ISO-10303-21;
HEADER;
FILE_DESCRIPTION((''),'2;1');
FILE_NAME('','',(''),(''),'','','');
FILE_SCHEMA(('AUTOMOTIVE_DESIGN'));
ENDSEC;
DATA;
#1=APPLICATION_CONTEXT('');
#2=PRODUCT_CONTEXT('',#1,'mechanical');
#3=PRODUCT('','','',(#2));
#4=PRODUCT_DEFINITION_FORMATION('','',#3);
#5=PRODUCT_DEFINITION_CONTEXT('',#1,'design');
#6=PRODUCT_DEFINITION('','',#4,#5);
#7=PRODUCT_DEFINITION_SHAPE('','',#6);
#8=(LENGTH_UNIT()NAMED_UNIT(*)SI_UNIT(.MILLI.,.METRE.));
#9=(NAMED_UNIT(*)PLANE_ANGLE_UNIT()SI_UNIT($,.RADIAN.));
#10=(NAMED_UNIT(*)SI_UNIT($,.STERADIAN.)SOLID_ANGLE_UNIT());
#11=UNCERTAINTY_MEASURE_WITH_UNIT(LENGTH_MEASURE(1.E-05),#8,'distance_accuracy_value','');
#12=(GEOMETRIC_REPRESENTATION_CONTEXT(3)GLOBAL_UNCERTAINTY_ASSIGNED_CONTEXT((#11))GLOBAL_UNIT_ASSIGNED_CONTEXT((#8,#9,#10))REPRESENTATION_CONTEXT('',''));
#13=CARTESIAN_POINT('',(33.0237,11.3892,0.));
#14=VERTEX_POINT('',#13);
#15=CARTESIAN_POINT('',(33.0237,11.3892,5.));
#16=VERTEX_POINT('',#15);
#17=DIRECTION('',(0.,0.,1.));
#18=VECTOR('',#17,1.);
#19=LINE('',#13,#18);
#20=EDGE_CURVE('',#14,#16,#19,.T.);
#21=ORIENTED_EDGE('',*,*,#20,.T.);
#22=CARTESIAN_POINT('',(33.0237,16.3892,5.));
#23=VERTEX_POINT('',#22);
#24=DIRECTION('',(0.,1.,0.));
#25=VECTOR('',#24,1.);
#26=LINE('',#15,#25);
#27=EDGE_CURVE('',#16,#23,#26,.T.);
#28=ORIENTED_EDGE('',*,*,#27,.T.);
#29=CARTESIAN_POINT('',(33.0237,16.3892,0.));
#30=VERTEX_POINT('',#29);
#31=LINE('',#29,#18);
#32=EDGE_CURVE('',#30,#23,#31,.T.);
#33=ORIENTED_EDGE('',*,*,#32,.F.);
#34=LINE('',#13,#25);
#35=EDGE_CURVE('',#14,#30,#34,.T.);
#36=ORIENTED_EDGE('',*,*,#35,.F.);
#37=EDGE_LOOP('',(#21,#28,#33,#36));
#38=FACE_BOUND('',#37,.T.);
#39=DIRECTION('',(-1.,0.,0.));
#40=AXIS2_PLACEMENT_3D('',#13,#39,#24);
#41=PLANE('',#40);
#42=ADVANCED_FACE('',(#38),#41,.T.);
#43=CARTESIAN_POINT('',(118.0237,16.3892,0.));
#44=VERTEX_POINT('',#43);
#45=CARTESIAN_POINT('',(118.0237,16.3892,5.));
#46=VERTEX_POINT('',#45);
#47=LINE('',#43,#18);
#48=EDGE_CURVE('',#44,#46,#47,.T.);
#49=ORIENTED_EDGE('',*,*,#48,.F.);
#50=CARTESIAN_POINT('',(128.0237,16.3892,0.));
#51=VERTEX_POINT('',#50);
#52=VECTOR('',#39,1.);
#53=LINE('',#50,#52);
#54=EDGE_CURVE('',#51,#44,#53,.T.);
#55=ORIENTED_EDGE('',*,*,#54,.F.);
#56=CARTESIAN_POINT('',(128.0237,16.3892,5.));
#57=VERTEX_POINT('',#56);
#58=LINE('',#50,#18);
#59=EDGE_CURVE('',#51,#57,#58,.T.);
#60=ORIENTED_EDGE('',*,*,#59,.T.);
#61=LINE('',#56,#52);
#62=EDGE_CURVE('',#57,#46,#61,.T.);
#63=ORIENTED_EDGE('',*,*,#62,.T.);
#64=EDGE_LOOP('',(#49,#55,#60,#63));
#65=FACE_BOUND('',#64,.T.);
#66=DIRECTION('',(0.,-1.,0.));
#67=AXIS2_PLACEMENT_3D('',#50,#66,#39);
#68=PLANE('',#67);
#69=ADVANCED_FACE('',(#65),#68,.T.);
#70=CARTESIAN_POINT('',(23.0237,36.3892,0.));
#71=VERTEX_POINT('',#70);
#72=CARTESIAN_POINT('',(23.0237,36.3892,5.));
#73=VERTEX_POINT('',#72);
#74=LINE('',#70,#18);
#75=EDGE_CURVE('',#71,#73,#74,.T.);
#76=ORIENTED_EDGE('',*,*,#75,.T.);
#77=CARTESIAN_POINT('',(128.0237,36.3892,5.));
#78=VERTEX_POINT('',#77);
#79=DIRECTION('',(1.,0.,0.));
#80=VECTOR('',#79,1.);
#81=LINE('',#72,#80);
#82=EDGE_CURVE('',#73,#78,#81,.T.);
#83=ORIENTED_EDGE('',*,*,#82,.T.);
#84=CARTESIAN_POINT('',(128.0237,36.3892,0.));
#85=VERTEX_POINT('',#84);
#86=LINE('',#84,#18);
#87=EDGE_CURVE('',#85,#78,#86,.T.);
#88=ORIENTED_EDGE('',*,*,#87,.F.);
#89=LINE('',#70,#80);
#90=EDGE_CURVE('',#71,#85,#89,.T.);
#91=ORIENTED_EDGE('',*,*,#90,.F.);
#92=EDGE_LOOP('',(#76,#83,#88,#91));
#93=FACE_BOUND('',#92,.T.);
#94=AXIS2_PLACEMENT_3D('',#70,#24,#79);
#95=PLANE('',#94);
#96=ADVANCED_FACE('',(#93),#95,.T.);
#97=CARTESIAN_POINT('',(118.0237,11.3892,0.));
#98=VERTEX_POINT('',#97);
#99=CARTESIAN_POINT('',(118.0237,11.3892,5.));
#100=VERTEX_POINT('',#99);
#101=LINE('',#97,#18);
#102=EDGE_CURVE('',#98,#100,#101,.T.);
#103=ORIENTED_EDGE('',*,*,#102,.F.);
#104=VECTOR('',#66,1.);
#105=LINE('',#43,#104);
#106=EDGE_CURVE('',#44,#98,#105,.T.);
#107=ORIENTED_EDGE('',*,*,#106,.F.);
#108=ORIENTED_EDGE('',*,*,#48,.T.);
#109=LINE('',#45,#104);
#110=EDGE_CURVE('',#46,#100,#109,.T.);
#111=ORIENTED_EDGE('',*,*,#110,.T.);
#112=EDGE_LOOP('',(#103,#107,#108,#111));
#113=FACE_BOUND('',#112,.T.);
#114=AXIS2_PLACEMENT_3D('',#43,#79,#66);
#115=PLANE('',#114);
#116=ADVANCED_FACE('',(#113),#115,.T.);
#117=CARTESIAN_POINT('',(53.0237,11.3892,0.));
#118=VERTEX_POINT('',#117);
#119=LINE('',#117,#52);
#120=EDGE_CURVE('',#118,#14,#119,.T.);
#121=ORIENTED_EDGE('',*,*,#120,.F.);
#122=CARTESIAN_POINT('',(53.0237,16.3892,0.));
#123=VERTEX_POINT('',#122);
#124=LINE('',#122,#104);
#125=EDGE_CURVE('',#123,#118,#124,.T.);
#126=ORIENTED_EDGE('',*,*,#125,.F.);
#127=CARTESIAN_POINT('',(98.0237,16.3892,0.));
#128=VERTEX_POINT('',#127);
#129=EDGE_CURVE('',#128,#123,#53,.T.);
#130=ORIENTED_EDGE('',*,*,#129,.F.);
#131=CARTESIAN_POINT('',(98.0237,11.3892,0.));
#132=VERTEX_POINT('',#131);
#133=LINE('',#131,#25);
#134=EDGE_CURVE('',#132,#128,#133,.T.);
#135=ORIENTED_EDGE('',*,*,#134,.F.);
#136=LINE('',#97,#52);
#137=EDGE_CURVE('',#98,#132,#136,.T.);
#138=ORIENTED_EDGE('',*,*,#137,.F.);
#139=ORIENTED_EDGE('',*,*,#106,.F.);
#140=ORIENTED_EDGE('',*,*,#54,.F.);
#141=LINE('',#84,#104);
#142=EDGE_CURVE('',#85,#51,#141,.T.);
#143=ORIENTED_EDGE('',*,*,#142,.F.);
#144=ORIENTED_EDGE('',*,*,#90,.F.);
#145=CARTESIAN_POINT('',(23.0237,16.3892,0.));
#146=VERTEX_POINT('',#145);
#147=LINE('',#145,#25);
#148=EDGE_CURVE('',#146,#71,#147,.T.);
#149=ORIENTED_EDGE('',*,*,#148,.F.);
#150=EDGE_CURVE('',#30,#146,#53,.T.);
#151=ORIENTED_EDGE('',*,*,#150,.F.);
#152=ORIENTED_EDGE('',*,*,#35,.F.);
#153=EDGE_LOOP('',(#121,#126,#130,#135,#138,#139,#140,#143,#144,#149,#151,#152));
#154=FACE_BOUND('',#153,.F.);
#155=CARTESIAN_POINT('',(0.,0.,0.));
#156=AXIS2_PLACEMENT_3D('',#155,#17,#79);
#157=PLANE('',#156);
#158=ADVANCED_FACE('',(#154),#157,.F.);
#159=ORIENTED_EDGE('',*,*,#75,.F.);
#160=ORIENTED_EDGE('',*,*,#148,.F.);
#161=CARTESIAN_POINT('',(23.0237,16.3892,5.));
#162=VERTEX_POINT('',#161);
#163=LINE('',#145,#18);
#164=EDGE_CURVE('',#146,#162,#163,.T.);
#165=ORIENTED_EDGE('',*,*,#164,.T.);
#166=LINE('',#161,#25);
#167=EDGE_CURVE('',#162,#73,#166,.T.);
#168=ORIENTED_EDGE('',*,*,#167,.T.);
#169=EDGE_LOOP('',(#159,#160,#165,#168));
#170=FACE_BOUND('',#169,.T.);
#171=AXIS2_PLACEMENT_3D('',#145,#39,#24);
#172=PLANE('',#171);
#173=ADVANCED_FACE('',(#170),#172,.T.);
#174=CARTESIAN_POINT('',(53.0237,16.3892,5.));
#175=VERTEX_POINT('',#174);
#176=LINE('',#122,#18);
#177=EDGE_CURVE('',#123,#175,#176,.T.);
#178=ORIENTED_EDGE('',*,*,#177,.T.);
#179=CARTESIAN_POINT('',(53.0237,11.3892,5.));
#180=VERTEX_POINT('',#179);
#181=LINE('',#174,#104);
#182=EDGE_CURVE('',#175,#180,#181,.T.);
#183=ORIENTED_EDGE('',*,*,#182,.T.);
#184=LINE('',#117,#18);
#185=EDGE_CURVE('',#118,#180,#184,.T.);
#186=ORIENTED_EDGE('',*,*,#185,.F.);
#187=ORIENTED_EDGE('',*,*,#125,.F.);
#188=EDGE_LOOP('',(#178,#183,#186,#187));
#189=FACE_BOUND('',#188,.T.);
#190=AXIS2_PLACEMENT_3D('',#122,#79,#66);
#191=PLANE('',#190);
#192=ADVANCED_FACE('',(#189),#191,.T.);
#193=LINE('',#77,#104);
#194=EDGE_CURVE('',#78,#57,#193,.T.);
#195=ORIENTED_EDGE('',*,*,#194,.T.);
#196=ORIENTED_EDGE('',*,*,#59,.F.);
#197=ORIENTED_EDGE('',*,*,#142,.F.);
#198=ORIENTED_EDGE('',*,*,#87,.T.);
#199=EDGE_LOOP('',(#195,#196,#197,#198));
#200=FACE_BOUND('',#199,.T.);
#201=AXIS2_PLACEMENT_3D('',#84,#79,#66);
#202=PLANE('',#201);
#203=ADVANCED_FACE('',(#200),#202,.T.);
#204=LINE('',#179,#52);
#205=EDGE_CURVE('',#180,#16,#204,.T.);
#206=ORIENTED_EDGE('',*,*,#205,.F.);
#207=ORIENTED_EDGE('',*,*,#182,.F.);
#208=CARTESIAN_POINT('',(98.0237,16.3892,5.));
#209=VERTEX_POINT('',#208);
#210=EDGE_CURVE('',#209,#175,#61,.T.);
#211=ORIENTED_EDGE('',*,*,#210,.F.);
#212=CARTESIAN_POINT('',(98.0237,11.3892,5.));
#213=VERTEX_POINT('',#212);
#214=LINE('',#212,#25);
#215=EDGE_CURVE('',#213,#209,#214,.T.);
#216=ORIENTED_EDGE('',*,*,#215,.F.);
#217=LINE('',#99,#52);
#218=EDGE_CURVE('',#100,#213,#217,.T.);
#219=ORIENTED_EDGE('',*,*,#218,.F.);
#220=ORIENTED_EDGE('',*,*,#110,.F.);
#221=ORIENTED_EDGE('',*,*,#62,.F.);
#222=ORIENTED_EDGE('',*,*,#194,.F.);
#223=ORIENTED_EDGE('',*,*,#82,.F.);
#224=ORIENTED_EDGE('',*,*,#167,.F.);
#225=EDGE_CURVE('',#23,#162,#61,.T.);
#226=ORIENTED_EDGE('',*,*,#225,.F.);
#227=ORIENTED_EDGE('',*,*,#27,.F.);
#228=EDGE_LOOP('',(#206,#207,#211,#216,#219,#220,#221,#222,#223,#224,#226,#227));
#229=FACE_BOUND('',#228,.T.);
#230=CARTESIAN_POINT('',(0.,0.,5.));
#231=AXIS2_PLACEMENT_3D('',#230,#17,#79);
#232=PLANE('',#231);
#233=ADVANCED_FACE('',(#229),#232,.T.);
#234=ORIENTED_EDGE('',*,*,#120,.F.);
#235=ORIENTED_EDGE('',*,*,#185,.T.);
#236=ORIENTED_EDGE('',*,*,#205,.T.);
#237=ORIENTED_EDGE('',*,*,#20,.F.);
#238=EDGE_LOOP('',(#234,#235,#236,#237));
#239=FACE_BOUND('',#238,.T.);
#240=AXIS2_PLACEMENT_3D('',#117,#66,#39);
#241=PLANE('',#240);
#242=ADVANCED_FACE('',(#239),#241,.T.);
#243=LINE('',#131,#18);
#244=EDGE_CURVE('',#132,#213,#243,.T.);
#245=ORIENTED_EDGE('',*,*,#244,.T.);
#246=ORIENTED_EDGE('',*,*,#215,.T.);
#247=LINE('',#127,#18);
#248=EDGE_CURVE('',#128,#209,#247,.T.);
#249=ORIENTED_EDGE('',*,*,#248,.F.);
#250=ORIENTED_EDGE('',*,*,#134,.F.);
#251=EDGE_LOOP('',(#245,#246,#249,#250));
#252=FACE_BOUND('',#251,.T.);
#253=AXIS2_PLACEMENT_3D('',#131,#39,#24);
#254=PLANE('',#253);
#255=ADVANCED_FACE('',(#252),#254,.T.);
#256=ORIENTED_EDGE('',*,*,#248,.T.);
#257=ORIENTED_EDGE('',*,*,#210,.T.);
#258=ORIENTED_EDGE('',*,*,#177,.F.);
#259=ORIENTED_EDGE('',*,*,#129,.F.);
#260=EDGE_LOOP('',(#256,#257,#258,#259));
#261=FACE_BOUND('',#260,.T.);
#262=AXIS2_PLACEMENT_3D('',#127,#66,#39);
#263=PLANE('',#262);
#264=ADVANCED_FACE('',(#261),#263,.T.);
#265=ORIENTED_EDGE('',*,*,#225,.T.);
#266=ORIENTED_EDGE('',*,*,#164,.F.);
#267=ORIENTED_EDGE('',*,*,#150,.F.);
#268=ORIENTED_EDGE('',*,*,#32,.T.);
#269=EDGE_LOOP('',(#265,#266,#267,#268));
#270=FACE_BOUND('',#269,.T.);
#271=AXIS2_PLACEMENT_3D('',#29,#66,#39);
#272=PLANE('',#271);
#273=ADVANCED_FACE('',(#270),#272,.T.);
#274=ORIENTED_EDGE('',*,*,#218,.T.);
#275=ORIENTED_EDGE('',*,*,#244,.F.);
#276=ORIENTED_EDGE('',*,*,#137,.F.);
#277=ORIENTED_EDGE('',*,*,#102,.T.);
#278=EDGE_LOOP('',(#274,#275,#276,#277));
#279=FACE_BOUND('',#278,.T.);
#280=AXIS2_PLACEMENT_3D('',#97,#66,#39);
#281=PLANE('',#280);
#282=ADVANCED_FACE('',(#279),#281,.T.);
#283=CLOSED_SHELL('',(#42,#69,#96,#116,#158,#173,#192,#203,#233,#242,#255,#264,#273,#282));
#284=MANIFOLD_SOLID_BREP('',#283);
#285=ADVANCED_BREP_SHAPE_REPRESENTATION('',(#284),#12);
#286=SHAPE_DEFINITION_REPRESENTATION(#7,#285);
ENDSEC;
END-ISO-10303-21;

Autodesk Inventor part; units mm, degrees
ref_plane "YZ Plane" through (0, 0, 0) normal (1, 0, 0) x (0, 1, 0)
ref_plane "XZ Plane" through (0, 0, 0) normal (0, 1, 0) x (-1, 0, 0)
ref_plane "XY Plane" through (0, 0, 0) normal (0, 0, 1) x (1, 0, 0)
sketch "Sketch1" plane through (0, 0, 0) normal (0, 0, 1) x (1, 0, 0)
  line L0 (23.0237, 36.3892) -> (128.0237, 36.3892)
  line L1 (128.0237, 36.3892) -> (128.0237, 16.3892)
  line L2 (128.0237, 16.3892) -> (23.0237, 16.3892)
  line L3 (23.0237, 16.3892) -> (23.0237, 36.3892)
  line L4 (33.0237, 16.3892) -> (53.0237, 16.3892)
  line L5 (53.0237, 16.3892) -> (53.0237, 11.3892)
  line L6 (53.0237, 11.3892) -> (33.0237, 11.3892)
  line L7 (33.0237, 11.3892) -> (33.0237, 16.3892)
  line L8 (98.0237, 16.3892) -> (118.0237, 16.3892)
  line L9 (118.0237, 16.3892) -> (118.0237, 11.3892)
  line L10 (118.0237, 11.3892) -> (98.0237, 11.3892)
  line L11 (98.0237, 11.3892) -> (98.0237, 16.3892)
  point P0 (0, 0)
  point P1 (33.0237, 13.8892)
  dimension "d0" = 105
  dimension "d1" = 20
  dimension "d2" = 20
  dimension "d3" = 5
  dimension "d4" = 20
  dimension "d5" = 5
  dimension "d6" = 10
  dimension "d7" = 10
extrude "Extrusion1" add sketch "Sketch1" along normal blind 5
properties part number "inslide2"
